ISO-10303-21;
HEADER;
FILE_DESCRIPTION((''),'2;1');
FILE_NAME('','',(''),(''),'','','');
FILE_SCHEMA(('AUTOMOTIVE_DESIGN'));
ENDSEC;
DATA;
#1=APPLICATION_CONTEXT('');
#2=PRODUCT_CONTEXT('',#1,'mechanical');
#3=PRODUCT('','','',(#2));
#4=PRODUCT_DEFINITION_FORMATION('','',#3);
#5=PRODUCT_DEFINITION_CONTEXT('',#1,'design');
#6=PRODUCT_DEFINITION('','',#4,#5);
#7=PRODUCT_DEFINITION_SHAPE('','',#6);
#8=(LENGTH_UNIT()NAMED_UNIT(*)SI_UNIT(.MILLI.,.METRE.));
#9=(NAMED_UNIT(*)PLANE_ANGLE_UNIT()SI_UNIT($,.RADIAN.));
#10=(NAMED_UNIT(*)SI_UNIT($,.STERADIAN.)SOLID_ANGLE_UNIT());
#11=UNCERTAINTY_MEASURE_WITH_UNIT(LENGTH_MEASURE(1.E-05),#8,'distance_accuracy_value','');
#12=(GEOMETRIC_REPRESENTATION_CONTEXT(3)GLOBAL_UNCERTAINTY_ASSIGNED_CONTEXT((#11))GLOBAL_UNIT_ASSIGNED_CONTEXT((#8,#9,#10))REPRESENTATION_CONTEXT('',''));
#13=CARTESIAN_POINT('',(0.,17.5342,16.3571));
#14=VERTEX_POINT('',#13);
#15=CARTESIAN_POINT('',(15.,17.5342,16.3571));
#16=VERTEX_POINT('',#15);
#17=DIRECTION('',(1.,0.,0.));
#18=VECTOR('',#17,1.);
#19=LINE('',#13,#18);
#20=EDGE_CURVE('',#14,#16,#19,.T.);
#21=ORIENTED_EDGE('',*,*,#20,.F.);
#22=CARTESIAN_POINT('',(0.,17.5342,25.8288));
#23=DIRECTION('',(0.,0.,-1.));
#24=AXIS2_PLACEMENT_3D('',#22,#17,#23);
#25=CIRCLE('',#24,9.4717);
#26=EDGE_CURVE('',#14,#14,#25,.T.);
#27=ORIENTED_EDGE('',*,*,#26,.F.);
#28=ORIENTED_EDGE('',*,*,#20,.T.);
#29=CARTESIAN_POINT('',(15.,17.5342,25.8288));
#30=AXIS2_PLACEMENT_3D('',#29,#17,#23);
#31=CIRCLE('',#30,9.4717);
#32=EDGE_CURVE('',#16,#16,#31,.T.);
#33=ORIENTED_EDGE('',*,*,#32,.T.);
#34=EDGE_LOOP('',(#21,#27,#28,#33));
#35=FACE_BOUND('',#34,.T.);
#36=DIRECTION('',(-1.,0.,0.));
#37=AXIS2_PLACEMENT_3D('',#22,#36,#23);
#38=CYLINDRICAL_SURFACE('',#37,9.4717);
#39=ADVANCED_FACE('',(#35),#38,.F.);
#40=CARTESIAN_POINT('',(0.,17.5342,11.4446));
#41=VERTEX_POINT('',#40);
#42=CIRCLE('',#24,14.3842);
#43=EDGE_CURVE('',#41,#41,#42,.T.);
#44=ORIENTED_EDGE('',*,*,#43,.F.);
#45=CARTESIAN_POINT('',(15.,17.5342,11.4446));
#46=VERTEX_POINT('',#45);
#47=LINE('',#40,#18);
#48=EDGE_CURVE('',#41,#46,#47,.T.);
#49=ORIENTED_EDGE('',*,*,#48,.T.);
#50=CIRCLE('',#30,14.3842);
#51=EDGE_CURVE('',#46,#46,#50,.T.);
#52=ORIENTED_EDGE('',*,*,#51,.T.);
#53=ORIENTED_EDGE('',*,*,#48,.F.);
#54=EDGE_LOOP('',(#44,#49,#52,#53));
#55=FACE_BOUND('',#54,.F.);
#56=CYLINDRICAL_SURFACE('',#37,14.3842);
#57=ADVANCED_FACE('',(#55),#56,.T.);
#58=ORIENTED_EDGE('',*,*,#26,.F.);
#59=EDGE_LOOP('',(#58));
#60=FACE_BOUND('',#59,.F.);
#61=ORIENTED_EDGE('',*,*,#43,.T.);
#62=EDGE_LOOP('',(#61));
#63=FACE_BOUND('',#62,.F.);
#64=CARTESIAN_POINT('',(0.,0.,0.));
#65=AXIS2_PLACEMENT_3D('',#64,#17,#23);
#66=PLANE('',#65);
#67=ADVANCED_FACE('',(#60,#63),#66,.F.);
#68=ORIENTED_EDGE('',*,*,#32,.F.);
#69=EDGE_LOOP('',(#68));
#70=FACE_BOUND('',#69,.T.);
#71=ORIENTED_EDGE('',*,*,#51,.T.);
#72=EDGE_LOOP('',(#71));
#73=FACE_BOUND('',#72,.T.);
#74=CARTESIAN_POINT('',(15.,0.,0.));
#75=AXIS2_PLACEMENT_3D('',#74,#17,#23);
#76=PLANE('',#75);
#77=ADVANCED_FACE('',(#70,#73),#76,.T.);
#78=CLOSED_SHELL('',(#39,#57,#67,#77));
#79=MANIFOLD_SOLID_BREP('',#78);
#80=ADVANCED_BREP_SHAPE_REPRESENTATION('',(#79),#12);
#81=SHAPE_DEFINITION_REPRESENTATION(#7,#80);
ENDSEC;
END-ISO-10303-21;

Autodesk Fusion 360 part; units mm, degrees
sketch "Sketch1" plane through (0, 0, 0) normal (1, 0, 0) x (0, 0, -1)
  circle A0 centre (-25.8288, 17.5342) radius 14.3842
  circle A1 centre (-25.8288, 17.5342) radius 9.4717
extrude "Extrude1" add sketch "Sketch1" along normal blind 15
